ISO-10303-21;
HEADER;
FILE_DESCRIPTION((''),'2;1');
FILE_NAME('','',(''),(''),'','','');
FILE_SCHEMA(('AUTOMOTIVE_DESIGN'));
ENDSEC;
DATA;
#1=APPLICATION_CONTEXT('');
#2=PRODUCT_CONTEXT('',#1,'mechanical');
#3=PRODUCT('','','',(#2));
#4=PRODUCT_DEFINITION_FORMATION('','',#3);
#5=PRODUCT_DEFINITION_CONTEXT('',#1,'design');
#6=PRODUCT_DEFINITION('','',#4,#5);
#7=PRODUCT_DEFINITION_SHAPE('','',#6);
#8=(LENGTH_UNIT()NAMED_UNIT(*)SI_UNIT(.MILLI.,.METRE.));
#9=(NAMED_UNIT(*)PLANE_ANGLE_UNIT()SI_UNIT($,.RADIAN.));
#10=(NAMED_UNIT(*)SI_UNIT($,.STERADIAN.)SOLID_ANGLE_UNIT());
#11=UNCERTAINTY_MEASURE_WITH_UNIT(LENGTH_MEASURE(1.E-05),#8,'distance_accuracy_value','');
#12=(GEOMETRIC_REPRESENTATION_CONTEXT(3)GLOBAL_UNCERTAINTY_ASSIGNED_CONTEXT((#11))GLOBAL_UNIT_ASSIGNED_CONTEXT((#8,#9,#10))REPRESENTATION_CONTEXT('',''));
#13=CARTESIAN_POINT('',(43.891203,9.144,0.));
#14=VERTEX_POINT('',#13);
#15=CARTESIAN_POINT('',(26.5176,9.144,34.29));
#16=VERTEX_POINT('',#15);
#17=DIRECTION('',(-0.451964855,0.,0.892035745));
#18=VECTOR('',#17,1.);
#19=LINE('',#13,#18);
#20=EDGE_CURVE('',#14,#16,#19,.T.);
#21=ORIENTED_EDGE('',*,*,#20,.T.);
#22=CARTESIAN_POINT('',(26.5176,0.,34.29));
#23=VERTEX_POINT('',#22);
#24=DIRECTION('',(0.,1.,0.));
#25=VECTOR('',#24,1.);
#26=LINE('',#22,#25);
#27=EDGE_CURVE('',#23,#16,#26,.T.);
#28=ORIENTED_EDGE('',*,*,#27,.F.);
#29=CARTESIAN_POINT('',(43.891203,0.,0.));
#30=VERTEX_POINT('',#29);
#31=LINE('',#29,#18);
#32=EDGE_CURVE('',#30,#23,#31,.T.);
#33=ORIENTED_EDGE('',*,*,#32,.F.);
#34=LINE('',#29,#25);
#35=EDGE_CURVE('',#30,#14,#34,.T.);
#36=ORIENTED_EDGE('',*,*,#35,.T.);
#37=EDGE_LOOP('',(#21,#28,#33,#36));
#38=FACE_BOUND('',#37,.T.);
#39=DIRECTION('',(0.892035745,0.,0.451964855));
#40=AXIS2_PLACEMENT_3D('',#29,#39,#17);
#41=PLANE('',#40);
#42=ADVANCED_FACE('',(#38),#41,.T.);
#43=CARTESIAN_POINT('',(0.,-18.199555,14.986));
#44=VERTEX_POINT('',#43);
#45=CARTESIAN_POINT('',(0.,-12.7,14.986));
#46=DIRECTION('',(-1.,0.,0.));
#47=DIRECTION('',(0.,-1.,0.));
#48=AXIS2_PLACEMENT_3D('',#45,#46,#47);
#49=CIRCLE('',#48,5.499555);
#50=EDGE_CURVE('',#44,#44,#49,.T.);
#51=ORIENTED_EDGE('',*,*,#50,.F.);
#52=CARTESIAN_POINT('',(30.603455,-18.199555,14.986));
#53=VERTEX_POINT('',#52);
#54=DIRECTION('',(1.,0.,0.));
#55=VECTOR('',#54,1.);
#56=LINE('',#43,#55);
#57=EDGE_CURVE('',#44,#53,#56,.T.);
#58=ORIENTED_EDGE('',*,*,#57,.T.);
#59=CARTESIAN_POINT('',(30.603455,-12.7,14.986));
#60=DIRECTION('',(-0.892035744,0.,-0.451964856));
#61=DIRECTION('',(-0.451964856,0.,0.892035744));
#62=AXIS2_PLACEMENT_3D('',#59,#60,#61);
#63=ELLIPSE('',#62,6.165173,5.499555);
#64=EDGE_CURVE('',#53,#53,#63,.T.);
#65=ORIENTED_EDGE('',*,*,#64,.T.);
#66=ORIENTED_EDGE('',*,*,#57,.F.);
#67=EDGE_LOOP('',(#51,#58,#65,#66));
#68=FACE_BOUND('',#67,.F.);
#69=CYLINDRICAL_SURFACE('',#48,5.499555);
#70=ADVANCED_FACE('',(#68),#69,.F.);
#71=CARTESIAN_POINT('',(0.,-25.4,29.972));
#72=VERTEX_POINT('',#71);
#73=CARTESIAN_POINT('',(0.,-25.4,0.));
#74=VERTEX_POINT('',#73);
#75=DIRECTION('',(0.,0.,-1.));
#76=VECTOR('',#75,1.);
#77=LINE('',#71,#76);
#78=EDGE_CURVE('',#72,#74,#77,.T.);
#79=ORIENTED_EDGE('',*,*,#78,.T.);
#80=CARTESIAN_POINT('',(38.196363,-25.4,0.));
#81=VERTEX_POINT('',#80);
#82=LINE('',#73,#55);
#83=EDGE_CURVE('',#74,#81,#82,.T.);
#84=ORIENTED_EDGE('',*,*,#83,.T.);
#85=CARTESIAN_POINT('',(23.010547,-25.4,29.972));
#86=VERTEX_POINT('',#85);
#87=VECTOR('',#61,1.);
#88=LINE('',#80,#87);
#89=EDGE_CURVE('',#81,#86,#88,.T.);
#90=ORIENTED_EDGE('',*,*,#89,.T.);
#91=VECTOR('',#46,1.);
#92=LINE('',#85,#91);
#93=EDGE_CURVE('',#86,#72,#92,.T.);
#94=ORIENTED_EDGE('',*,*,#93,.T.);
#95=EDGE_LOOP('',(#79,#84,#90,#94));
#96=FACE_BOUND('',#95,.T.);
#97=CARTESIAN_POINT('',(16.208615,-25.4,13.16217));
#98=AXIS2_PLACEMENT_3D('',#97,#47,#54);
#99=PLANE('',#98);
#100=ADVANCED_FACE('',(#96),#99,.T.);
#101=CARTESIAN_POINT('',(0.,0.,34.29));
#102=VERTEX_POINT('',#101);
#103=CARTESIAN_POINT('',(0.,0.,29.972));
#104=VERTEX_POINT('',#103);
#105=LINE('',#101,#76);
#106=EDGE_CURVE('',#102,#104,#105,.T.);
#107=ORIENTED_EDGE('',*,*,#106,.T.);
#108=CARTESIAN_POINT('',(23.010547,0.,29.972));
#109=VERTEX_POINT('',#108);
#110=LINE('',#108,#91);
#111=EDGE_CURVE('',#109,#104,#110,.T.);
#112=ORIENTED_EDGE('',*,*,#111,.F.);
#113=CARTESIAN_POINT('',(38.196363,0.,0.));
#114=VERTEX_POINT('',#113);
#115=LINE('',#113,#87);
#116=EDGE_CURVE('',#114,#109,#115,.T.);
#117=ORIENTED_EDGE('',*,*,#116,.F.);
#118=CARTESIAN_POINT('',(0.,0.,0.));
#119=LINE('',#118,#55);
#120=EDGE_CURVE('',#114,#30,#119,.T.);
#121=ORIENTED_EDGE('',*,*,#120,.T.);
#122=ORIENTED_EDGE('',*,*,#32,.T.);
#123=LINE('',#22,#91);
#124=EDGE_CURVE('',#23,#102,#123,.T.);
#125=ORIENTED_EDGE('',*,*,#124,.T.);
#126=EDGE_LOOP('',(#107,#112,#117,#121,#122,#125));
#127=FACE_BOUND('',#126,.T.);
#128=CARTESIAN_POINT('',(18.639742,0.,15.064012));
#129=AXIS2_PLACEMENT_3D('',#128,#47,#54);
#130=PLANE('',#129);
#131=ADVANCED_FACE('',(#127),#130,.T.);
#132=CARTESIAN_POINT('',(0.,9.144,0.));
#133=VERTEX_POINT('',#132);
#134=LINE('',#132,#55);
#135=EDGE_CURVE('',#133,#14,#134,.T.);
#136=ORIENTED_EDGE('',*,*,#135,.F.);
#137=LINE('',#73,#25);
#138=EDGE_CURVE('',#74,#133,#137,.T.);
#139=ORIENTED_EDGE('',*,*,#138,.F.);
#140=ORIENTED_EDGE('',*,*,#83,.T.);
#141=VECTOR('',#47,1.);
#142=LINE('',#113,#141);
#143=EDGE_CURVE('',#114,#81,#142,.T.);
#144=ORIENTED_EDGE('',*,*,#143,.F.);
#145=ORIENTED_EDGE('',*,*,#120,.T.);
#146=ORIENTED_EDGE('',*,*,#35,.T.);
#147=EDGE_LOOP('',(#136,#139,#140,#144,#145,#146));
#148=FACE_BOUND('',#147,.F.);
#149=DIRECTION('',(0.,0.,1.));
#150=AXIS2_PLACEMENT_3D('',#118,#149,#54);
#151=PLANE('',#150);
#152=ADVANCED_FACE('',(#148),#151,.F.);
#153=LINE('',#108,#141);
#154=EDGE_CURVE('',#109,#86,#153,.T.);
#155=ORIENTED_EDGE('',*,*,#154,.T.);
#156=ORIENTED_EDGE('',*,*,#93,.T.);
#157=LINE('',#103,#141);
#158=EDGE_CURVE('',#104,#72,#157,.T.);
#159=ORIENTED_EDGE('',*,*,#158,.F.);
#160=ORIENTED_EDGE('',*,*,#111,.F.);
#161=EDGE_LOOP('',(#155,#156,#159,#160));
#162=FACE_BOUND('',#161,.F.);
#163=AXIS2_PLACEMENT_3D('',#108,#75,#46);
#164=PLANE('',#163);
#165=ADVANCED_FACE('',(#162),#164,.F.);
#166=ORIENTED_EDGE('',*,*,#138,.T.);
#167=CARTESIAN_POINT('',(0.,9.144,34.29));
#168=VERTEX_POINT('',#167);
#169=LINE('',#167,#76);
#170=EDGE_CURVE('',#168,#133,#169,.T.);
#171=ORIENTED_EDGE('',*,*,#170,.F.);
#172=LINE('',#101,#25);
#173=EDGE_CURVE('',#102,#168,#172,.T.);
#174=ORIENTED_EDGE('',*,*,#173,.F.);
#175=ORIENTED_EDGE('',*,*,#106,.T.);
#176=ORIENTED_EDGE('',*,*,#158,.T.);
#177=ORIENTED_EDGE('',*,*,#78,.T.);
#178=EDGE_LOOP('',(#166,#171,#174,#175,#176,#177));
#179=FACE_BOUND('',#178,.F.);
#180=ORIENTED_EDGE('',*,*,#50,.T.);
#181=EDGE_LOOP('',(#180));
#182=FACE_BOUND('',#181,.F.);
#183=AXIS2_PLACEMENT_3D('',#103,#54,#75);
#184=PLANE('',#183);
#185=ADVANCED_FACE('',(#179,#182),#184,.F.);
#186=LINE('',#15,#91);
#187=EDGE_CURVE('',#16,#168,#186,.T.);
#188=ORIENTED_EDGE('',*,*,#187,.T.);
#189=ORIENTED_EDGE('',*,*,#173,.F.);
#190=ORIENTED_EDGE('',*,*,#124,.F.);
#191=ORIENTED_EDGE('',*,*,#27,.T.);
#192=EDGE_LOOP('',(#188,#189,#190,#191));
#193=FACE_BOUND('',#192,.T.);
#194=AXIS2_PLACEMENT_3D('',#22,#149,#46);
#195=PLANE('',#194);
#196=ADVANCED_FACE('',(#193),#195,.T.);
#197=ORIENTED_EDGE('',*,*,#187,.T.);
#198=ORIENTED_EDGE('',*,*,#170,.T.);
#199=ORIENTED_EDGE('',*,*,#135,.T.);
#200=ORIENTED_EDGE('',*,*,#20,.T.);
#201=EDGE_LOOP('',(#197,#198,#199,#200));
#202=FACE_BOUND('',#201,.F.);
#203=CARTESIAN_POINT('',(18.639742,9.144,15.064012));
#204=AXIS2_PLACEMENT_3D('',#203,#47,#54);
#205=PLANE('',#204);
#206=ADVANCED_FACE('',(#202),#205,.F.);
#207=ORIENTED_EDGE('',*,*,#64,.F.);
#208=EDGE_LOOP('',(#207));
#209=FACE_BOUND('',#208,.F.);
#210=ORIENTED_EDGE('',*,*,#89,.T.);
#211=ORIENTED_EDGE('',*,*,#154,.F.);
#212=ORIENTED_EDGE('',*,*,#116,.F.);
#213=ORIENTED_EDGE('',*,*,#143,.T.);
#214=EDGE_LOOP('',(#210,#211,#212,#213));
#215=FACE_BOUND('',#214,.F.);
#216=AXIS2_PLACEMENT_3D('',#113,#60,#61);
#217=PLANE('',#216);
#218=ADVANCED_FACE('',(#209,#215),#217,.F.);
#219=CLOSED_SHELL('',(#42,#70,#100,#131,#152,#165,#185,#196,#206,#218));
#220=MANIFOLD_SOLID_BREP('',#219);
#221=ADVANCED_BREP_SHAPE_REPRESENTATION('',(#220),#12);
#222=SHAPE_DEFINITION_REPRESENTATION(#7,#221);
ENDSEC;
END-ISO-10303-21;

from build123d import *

# Parameters (mm, degrees)
F1_DEPTH = 9.144
F3_DEPTH = 25.4
F4_R     = 5.499555
F5_DEPTH = 43.892203


with BuildPart() as f1:
    # F0 (on Front) → F1 (new body)
    with BuildSketch(Plane.XZ):
        Polygon((0, 34.29), (0, 0), (43.891203, 0), (26.5176, 34.29), align=None)
    extrude(amount=-F1_DEPTH)

    # F2 (on Front) → F3 (join)
    with BuildSketch(Plane.XZ):
        Polygon((38.196363, 0), (23.010547, 29.972), (0, 29.972), (0, 0), align=None)
    extrude(amount=F3_DEPTH)

    # F4 (on face) → F5 (cut, through all)
    with BuildSketch(Plane(origin=(0, 0, 0), x_dir=(0, -1, 0), z_dir=(-1, 0, 0))):
        with Locations((12.7, 14.986)):
            Circle(F4_R)
    extrude(amount=-F5_DEPTH, mode=Mode.SUBTRACT)


solid = f1.part
